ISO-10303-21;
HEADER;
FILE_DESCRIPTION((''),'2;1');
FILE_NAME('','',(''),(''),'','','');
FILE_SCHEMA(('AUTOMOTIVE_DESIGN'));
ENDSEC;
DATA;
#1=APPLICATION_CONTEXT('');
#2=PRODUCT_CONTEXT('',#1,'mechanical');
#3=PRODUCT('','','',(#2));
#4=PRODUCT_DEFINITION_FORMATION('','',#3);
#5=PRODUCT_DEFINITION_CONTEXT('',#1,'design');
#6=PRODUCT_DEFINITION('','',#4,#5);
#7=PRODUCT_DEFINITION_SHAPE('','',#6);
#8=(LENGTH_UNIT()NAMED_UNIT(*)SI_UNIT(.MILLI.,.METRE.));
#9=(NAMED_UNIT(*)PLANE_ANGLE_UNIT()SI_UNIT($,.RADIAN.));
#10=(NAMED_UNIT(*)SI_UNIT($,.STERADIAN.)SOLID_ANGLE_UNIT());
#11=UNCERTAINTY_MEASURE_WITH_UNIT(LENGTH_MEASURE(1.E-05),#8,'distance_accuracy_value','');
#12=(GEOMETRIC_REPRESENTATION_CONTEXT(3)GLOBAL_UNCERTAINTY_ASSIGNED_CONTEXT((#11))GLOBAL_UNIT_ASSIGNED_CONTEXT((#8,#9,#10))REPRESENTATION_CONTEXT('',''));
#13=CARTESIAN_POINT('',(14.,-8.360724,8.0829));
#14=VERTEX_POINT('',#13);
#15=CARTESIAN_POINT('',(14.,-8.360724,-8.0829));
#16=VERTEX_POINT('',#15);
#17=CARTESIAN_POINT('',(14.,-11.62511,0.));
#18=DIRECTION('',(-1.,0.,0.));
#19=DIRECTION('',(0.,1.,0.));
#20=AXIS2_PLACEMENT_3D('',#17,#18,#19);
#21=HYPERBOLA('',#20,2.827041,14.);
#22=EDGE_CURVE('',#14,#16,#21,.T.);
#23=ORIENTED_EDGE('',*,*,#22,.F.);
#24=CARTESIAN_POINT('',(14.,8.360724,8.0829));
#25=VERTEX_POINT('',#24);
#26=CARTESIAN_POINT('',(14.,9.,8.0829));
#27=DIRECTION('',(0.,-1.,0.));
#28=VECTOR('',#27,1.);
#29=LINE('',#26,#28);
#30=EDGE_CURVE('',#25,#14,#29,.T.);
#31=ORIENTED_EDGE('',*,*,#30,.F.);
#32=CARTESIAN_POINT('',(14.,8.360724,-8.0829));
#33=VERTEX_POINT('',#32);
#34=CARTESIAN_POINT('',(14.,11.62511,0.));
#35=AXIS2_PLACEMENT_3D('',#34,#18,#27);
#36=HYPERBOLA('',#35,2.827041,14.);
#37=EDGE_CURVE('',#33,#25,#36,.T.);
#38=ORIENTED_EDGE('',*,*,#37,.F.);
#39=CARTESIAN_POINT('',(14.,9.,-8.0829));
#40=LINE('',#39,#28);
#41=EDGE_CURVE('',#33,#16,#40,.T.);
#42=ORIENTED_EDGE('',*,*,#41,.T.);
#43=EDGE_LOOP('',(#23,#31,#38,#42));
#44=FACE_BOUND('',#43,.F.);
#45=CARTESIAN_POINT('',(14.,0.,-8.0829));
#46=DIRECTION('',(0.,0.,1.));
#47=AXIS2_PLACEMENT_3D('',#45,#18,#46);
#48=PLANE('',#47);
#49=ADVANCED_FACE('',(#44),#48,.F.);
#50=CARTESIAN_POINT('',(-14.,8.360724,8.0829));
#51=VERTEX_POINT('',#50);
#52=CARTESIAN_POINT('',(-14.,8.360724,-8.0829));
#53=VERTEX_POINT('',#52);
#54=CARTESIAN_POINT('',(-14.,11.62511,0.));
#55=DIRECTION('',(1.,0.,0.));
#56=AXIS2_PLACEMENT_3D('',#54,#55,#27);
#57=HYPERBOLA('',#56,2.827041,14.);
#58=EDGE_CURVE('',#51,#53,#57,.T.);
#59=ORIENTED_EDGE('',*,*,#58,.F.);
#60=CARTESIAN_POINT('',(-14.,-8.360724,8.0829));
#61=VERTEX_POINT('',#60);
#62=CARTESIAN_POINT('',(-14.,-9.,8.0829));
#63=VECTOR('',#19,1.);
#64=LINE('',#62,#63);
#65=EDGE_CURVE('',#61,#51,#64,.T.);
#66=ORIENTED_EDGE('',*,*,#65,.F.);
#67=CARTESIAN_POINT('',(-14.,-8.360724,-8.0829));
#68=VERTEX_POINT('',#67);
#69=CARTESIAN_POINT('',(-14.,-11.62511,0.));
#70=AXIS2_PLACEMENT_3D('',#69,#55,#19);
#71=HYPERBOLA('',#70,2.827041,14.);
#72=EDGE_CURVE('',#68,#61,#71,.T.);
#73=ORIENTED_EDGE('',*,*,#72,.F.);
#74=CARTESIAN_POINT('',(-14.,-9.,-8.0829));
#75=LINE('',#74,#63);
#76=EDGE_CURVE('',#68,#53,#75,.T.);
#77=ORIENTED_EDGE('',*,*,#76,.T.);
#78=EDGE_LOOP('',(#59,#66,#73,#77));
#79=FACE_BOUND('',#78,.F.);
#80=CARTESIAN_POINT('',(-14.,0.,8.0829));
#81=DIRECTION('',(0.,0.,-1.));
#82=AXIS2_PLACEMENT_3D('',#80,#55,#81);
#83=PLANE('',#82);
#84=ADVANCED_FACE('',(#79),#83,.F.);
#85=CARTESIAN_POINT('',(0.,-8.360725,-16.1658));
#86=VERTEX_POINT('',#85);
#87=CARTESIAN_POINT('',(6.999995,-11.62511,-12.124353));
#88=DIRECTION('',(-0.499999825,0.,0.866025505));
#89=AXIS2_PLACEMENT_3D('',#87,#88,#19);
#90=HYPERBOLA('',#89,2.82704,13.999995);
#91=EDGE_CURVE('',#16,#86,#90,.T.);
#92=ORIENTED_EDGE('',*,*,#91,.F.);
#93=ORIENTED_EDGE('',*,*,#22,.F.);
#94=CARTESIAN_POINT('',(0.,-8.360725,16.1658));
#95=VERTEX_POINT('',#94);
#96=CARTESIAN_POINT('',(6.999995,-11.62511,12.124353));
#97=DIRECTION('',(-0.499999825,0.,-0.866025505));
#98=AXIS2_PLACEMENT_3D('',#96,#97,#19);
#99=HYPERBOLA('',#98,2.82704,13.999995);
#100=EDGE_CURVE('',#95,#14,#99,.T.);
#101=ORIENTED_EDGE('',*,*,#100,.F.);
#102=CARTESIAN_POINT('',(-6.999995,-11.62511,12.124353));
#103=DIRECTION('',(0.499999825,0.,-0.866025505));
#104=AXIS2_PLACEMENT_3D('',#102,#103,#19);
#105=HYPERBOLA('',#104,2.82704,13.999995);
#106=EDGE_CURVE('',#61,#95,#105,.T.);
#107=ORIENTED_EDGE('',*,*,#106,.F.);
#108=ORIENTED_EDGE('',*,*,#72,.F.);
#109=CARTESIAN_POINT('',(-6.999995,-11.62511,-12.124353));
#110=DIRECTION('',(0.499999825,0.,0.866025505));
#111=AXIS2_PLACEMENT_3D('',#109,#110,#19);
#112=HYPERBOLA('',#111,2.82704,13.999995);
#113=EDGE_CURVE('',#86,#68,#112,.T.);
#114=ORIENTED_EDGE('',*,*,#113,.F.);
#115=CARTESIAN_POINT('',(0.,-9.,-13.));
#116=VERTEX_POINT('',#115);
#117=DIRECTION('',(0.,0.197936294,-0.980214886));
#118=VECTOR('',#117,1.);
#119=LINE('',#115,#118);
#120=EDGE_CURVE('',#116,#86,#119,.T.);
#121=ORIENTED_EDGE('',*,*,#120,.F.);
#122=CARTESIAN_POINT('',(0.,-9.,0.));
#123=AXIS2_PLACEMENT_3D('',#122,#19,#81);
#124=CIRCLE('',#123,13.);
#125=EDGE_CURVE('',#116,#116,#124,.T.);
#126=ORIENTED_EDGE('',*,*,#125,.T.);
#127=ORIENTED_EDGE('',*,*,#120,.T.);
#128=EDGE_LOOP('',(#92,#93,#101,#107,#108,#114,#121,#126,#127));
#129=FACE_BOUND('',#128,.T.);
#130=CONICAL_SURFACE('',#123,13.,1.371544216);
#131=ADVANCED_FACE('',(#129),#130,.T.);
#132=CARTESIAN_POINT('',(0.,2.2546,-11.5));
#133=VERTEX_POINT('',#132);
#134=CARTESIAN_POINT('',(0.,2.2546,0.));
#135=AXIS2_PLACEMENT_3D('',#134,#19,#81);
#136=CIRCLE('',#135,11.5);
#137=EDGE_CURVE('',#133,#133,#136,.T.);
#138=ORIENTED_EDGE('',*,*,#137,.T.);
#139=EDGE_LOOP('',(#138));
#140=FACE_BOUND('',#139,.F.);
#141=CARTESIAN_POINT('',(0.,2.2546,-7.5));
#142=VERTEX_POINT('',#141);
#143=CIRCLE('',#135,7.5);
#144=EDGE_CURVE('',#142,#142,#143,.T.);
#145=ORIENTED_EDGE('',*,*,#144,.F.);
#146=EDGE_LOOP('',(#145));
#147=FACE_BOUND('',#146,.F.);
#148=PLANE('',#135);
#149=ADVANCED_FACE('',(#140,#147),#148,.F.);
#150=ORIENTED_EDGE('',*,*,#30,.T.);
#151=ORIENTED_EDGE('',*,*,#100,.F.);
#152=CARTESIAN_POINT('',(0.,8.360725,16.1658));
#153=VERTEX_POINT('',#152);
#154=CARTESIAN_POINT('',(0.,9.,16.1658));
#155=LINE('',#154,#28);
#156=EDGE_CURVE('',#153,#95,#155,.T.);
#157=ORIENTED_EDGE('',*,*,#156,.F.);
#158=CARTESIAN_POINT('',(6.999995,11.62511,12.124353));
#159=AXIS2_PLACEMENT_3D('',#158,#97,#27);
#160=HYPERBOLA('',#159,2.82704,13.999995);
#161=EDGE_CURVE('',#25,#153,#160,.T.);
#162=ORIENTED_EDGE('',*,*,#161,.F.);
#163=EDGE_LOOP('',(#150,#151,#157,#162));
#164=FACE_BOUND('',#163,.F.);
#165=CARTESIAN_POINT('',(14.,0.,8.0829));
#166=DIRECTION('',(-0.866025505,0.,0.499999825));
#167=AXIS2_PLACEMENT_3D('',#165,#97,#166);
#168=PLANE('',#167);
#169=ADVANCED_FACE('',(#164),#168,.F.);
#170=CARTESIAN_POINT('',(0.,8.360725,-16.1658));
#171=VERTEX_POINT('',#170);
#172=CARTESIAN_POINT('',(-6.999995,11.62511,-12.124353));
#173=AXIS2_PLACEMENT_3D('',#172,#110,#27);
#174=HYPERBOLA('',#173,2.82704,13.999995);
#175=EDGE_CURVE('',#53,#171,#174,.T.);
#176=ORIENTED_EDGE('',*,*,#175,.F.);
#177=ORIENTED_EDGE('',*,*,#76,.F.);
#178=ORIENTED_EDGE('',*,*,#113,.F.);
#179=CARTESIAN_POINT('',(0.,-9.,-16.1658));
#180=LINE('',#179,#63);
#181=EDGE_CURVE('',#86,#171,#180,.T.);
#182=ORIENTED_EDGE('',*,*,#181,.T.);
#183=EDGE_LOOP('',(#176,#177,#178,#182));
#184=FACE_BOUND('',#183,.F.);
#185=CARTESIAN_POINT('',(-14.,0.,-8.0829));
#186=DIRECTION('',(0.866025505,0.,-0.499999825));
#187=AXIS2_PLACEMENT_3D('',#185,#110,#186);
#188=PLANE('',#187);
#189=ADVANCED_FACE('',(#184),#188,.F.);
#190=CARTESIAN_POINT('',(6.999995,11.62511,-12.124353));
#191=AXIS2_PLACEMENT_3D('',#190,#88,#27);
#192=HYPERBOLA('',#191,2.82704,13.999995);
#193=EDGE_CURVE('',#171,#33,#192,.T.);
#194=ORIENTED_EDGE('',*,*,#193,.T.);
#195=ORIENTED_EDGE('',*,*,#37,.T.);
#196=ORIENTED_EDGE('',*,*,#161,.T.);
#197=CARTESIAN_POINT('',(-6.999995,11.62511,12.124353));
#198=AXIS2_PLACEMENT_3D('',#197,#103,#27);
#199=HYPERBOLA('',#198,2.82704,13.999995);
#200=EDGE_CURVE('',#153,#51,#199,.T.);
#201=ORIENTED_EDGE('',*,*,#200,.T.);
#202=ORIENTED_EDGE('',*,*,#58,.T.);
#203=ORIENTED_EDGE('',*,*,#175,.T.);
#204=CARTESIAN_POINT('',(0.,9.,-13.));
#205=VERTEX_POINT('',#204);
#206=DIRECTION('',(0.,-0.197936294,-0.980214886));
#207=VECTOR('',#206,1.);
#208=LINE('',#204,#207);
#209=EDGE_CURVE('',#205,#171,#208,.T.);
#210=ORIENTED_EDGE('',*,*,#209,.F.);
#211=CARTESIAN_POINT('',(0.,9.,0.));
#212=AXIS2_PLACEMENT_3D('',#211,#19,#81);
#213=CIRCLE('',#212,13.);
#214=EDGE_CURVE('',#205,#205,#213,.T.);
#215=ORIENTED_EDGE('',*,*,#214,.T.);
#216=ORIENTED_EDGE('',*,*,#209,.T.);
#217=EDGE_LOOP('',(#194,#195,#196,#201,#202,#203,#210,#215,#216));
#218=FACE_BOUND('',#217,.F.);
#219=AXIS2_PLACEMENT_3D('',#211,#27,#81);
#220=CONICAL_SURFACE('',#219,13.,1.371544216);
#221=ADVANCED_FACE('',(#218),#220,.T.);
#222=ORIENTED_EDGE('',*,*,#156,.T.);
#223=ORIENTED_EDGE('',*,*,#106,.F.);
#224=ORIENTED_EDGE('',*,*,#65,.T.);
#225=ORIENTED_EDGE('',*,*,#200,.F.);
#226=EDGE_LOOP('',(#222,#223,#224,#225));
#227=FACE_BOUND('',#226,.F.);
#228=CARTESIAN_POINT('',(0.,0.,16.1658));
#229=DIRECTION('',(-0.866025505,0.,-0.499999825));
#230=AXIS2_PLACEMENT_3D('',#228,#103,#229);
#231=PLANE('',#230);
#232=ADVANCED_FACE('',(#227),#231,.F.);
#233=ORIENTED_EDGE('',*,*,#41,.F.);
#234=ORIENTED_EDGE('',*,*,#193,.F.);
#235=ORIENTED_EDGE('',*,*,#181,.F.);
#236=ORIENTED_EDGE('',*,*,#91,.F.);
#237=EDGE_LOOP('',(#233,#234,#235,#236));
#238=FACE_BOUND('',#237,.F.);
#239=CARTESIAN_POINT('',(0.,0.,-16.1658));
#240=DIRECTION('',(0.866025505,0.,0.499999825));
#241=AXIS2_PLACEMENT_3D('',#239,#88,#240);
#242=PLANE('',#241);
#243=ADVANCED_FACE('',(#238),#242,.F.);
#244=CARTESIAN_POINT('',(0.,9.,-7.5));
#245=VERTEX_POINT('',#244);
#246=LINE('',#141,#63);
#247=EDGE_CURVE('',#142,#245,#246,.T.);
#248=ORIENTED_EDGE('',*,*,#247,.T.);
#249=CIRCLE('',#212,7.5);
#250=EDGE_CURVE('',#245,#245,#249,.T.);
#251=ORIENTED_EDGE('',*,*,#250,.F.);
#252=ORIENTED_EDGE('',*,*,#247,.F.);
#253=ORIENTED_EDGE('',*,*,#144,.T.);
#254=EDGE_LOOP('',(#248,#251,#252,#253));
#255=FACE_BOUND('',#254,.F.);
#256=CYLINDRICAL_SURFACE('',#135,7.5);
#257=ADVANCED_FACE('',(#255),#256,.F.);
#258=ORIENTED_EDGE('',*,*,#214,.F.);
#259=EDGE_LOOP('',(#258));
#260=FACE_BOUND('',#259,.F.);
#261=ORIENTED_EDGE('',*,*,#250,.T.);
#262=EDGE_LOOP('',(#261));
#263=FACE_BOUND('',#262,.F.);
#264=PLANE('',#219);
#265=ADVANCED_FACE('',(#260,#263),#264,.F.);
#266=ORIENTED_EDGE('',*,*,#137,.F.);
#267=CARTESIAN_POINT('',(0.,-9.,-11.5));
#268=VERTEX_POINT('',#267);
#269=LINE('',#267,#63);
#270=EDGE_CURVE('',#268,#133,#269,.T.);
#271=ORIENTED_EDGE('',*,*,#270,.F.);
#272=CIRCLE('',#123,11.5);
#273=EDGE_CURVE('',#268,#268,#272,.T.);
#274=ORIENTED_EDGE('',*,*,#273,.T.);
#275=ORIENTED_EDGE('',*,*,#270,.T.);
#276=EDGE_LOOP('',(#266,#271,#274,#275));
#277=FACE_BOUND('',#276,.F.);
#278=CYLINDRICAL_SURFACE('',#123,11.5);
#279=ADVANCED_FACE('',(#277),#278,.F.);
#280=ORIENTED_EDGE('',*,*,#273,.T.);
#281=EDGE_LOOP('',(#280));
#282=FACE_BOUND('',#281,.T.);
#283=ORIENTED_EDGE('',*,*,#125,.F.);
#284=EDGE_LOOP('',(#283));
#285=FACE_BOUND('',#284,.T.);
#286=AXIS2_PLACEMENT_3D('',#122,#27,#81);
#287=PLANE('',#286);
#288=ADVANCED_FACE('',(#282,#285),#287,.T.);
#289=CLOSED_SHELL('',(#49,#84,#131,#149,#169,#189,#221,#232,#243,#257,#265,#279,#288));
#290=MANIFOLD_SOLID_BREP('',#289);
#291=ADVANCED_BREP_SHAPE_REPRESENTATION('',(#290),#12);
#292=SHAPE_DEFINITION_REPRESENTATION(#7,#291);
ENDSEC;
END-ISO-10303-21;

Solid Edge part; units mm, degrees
sketch "Sketch1" plane through (0, 0, 0) normal (0, -1, 0) x (1, 0, 0)
  line L0 (0, -16.1658) -> (14, -8.0829)
  line L1 (14, -8.0829) -> (14, 8.0829)
  line L2 (14, 8.0829) -> (0, 16.1658)
  line L3 (0, 16.1658) -> (-14, 8.0829)
  line L4 (-14, 8.0829) -> (-14, -8.0829)
  line L5 (-14, -8.0829) -> (0, -16.1658)
  dimension "D1" = 28
extrude "Protrusion1" add sketch "Sketch1" along normal mid plane 18
sketch "Sketch2" plane through (0, 0, 0) normal (1, 0, 0) x (0, 1, 0)
  line L0 (9, -13) -> (7.6451, -19.7097)
revolve "RevolvedCutout1" cut sketch "Sketch2" angle 360 about axis through (0, -63.5, 0) along (0, 1, 0) material side at (0, 8.3716, -16.3647)
mirror "Mirror1" about plane through (0, 0, 0) normal (0, -1, 0) of "RevolvedCutout1"
sketch "Sketch3" plane through (0, 0, 0) normal (1, 0, 0) x (0, 1, 0)
  line L0 (-9, -11.5) -> (2.2546, -11.5)
  line L1 (2.2546, -11.5) -> (2.2546, -7.5)
  line L2 (2.2546, -7.5) -> (9, -7.5)
revolve "RevolvedCutout3" cut sketch "Sketch3" angle 360 about axis through (0, -63.5, 0) along (0, 1, 0) material side at (0, -3.3727, -11.45)
